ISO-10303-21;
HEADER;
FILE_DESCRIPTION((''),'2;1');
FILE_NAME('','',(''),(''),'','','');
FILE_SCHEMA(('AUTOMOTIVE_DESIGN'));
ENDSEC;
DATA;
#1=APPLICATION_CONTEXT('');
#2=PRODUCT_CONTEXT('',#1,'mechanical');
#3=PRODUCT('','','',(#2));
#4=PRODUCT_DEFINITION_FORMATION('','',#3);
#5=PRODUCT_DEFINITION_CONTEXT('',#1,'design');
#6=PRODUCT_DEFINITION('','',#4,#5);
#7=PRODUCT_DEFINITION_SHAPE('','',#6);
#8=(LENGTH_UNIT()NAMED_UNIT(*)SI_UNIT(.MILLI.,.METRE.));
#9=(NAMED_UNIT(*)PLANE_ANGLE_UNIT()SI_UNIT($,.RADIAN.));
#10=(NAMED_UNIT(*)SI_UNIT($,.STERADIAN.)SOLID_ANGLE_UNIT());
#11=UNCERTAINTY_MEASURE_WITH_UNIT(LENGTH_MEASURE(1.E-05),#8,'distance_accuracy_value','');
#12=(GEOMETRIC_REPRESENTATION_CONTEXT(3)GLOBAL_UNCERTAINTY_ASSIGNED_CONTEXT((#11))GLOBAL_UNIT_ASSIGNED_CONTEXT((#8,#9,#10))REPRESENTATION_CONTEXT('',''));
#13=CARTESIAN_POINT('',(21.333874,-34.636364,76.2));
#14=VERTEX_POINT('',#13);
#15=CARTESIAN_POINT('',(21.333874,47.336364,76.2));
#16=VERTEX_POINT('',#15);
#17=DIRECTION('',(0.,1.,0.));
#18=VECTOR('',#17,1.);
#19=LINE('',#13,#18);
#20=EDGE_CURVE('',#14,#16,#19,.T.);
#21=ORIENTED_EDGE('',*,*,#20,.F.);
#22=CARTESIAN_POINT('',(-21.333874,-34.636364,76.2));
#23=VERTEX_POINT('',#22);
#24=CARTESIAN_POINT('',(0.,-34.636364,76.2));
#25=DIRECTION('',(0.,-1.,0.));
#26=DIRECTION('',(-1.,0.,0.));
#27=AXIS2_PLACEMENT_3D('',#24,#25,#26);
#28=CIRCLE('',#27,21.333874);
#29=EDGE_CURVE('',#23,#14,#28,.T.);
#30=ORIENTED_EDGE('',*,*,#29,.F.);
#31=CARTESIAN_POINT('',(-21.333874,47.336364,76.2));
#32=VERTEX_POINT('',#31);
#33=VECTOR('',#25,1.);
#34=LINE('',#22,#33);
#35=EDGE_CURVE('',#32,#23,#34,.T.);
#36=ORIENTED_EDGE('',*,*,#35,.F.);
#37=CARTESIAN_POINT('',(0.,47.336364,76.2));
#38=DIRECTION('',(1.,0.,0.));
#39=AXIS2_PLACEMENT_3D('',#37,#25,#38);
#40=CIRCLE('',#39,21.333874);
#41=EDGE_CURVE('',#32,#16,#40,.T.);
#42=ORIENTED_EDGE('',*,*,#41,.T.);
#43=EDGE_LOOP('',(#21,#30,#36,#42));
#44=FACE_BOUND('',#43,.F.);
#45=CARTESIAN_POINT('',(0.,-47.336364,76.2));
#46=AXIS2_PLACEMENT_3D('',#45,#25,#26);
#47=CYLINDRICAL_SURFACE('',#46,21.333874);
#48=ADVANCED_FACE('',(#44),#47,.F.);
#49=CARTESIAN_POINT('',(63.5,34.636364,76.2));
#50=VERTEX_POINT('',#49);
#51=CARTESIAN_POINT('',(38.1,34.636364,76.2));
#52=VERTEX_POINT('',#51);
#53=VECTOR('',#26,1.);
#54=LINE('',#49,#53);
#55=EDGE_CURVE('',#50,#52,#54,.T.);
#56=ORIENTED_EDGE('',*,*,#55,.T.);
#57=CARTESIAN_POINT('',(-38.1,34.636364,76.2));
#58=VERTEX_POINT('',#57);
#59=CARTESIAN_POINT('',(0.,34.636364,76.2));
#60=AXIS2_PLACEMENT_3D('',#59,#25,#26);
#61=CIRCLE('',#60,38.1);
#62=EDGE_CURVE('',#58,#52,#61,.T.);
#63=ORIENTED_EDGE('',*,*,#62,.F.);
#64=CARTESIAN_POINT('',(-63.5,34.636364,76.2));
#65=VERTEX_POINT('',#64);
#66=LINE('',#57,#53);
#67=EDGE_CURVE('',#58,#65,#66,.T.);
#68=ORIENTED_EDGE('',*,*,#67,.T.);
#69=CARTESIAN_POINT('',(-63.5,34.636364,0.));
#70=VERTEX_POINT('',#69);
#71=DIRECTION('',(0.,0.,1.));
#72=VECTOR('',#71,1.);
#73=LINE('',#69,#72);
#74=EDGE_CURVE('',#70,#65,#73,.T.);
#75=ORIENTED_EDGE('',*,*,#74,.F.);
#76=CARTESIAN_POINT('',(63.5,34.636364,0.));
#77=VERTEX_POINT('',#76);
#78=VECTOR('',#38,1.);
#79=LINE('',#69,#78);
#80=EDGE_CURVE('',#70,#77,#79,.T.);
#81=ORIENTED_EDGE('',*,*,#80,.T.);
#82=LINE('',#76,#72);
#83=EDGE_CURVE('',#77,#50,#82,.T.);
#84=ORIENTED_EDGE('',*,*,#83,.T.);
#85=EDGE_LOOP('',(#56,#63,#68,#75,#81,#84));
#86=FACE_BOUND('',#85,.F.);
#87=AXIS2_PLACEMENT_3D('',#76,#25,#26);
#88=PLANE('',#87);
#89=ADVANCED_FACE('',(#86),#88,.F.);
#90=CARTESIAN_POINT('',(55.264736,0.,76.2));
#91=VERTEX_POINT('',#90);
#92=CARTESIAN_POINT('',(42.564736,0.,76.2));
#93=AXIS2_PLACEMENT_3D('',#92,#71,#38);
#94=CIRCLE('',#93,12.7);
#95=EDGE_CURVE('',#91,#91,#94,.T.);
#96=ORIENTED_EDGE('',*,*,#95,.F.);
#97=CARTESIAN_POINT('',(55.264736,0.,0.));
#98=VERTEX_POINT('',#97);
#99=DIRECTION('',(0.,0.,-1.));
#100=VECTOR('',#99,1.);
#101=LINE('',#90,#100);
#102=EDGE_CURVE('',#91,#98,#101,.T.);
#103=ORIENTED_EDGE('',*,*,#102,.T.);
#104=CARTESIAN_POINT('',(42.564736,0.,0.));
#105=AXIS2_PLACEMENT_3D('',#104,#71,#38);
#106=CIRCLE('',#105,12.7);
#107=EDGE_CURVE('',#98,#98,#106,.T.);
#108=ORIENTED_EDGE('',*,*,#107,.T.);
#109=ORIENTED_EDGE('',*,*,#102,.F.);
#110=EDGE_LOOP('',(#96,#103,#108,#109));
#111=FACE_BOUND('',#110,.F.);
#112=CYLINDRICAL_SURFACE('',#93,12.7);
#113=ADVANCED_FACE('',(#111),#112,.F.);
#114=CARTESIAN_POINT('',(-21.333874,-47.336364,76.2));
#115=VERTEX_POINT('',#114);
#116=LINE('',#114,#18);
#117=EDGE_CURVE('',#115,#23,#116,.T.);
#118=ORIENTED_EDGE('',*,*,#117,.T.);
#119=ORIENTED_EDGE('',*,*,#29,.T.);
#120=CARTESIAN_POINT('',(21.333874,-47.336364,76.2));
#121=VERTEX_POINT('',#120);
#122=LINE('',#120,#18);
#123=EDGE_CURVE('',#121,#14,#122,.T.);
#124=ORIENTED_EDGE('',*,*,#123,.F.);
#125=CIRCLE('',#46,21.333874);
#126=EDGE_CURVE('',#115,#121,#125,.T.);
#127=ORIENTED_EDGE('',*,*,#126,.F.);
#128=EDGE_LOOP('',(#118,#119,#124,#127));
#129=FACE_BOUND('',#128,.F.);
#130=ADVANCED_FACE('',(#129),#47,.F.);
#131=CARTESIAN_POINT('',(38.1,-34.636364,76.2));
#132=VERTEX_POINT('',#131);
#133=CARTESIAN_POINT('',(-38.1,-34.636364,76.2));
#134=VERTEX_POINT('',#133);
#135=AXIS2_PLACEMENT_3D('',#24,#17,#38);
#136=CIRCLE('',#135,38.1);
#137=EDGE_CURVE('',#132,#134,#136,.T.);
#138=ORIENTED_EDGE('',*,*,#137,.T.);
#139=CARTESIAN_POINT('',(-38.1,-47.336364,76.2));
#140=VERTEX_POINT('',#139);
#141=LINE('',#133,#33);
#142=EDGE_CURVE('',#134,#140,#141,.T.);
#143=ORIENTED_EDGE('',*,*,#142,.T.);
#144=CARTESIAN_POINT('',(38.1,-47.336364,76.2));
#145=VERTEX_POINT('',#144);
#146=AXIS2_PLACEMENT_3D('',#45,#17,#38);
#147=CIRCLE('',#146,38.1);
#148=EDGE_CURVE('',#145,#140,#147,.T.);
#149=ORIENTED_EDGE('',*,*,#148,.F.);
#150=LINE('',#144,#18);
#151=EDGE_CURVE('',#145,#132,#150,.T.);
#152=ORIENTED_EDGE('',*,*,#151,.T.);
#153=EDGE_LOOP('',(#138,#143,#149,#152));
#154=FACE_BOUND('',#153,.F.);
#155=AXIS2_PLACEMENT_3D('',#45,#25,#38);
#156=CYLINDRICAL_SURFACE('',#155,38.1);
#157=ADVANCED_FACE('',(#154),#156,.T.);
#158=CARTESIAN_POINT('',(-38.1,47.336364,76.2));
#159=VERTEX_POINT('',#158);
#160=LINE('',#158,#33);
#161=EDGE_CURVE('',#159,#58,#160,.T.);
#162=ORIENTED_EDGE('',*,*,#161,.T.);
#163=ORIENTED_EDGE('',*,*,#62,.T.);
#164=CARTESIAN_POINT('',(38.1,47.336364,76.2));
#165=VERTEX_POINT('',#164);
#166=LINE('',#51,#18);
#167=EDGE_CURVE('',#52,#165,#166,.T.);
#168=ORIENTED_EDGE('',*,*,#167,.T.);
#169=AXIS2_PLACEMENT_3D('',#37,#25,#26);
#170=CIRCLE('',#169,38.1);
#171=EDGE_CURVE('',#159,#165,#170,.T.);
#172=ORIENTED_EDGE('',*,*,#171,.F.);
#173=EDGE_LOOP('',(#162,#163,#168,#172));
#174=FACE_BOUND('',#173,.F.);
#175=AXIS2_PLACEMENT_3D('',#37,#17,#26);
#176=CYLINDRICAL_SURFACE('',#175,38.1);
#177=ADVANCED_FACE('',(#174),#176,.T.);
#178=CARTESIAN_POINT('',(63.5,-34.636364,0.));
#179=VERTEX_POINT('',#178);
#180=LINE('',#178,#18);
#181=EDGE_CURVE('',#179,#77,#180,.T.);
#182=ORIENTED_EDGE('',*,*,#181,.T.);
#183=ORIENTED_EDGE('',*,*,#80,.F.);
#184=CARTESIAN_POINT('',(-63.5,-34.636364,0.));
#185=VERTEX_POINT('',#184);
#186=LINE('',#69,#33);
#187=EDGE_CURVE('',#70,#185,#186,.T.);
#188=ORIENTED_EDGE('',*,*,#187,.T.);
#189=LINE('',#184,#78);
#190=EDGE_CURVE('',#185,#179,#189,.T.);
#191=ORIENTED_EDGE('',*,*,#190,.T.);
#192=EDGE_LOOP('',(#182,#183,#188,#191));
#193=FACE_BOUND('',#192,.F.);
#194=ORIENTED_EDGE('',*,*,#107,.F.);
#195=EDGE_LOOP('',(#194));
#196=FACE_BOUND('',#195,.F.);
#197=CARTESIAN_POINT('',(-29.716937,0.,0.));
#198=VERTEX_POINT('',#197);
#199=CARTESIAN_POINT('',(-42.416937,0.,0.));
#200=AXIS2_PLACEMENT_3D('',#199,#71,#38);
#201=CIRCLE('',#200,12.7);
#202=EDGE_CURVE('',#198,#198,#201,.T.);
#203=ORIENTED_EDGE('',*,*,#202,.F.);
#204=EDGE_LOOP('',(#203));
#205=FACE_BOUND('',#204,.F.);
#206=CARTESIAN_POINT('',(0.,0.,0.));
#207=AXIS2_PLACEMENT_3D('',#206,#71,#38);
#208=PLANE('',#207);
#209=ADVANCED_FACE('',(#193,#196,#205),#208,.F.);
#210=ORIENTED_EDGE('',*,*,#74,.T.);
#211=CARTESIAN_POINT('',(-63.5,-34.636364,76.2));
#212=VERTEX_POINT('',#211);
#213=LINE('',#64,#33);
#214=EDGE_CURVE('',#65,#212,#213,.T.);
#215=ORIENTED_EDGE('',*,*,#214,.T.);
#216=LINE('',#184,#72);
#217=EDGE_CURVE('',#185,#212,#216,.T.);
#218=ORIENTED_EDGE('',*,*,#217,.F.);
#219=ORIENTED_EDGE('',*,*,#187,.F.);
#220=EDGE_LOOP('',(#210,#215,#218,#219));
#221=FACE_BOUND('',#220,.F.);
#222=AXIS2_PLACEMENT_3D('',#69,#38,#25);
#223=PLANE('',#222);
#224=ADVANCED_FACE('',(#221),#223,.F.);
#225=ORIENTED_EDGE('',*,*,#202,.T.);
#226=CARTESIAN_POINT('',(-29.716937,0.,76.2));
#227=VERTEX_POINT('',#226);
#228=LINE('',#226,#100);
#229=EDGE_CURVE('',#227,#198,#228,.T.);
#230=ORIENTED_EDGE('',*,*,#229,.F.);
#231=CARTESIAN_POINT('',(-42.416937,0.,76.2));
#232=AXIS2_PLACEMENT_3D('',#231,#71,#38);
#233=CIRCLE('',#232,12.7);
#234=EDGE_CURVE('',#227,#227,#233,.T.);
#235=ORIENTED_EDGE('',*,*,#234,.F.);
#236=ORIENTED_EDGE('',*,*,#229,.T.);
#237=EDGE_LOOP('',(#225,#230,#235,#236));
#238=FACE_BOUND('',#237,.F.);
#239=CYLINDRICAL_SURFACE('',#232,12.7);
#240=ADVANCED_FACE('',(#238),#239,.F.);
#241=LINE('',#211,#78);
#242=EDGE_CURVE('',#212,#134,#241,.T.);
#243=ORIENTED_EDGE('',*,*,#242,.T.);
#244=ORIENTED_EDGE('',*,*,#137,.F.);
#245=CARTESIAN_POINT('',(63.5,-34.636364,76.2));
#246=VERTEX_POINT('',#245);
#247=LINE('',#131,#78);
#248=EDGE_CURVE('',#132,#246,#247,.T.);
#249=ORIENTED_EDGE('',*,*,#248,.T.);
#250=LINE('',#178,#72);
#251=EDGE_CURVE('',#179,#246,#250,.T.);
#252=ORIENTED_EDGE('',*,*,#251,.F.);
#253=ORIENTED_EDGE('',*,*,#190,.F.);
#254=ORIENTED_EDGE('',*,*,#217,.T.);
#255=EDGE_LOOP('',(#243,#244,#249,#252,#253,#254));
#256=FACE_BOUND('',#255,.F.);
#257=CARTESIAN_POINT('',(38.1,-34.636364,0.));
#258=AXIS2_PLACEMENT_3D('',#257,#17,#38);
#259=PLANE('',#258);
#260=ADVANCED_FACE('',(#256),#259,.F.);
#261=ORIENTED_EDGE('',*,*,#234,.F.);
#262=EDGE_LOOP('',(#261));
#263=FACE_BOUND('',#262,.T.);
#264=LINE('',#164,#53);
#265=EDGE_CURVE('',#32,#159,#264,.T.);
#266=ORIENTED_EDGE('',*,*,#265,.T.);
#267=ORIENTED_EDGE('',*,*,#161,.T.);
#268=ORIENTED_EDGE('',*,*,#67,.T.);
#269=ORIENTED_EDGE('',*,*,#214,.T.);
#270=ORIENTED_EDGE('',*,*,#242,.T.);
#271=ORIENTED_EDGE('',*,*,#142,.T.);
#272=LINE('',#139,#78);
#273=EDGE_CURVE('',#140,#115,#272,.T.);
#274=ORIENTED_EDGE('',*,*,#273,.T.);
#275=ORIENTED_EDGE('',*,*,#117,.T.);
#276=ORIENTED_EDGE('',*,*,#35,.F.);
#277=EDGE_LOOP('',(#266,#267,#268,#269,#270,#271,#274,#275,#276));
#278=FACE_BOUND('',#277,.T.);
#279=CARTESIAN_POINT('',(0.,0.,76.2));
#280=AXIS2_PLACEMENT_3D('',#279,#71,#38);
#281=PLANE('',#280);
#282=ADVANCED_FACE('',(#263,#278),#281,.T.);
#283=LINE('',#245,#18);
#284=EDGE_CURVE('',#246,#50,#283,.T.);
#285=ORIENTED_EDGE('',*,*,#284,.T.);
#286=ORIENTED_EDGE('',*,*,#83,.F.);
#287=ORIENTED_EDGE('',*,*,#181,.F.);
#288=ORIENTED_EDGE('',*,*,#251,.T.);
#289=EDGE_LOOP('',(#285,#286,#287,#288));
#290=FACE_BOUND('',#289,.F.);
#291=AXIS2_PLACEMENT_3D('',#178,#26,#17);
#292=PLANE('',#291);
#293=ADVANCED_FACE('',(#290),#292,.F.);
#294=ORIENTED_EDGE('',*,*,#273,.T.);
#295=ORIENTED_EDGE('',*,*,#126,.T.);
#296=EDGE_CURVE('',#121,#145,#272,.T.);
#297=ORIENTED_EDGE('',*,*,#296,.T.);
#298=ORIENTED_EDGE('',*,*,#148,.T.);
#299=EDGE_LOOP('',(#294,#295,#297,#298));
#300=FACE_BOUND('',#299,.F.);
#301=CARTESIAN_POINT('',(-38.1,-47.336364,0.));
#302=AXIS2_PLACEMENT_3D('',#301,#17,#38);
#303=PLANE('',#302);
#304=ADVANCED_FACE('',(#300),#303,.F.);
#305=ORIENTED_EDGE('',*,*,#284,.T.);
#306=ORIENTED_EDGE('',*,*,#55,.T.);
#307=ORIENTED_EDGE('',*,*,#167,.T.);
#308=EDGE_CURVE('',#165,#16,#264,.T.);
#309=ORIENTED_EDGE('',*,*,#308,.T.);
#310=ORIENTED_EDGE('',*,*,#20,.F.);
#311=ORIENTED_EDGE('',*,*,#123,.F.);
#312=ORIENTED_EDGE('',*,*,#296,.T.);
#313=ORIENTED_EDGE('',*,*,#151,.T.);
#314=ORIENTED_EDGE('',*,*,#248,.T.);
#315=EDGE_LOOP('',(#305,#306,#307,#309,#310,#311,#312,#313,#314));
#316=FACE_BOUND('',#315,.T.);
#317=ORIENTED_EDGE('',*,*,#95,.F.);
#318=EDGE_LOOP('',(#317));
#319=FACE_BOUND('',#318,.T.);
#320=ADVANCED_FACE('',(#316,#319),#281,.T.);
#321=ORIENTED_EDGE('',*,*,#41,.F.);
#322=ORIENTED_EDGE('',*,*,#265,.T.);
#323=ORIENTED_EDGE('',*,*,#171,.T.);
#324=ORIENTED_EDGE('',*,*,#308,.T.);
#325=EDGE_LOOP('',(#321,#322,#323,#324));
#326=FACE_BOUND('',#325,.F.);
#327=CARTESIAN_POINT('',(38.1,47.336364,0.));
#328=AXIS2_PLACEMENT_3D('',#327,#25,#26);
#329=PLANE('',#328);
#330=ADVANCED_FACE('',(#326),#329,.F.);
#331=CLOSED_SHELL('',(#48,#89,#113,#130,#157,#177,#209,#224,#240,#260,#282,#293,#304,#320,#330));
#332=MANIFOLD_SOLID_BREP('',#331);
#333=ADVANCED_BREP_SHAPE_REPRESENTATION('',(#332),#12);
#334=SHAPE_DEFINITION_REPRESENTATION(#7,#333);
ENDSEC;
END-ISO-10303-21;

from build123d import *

# Parameters (mm, degrees)
F1_DEPTH = 76.2
F3_DEPTH = 12.7
F4_R     = 21.3338739626
F5_DEPTH = 101.6
F7_DEPTH = 12.7
F9_DEPTH = 127


with BuildPart() as f1:
    # F0 (on Top) → F1 (new body)
    with BuildSketch(Plane.XY):
        Polygon((38.1, -34.6363636543), (63.5, -34.6363636543), (63.5, 34.6363636543), (38.1, 34.6363636543), (38.1, 47.3363636543), (-38.1, 47.3363636543), (-38.1, 34.6363636543), (-63.5, 34.6363636543), (-63.5, -34.6363636543), (-38.1, -34.6363636543), (-38.1, -47.3363636543), (38.1, -47.3363636543), align=None)
    extrude(amount=F1_DEPTH)

    # F2 (on face) → F3 (cut)
    with BuildSketch(Plane.XZ.offset(47.3363636543)):
        with BuildLine():
            Line((38.1, 0), (38.1, 76.2))
            ThreePointArc((38.1, 76.2), (0, 38.1), (-38.1, 76.2))
            Line((-38.1, 76.2), (-38.1, 0))
            Line((-38.1, 0), (38.1, 0))
        make_face()
        with BuildLine():
            Line((21.3338739626, 76.2), (38.1, 76.2))
            ThreePointArc((38.1, 76.2), (0, 114.3), (-38.1, 76.2))
            Line((-38.1, 76.2), (-21.3338739626, 76.2))
            ThreePointArc((-21.3338739626, 76.2), (0, 97.5338739626), (21.3338739626, 76.2))
        make_face()
        with BuildLine():
            ThreePointArc((-21.3338739626, 76.2), (0, 54.8661260374), (21.3338739626, 76.2))
            Line((21.3338739626, 76.2), (-21.3338739626, 76.2))
        make_face()
    extrude(amount=-F3_DEPTH, mode=Mode.SUBTRACT)

    # F4 (on face) → F5 (cut)
    with BuildSketch(Plane.XZ.offset(34.6363636543)):
        with Locations((0, 76.2)):
            Circle(F4_R)
    extrude(amount=-F5_DEPTH, mode=Mode.SUBTRACT)

    # F6 (on face) → F7 (cut)
    with BuildSketch(Plane(origin=(0, 47.3363636543, 0), x_dir=(-1, 0, 0), z_dir=(0, 1, 0))):
        with BuildLine():
            ThreePointArc((38.1, 76.2), (0, 38.1), (-38.1, 76.2))
            Line((-38.1, 76.2), (-38.1, 0))
            Line((-38.1, 0), (38.1, 0))
            Line((38.1, 0), (38.1, 76.2))
        make_face()
    extrude(amount=-F7_DEPTH, mode=Mode.SUBTRACT)

    # F8 (on face) → F9 (cut)
    with BuildSketch(Plane.XY.offset(76.2)):
        with BuildLine():
            Line((55.2647357479, 0), (29.8647357479, 0))
            ThreePointArc((29.8647357479, 0), (42.5647357479, -12.7), (55.2647357479, 0))
        make_face()
        with BuildLine():
            ThreePointArc((55.2647357479, 0), (42.5647357479, 12.7), (29.8647357479, 0))
            Line((29.8647357479, 0), (55.2647357479, 0))
        make_face()
        with BuildLine():
            ThreePointArc((-55.1169369813, 0), (-42.4169369813, -12.7), (-29.7169369813, 0))
            Line((-29.7169369813, 0), (-55.1169369813, 0))
        make_face()
        with BuildLine():
            Line((-55.1169369813, 0), (-29.7169369813, 0))
            ThreePointArc((-29.7169369813, 0), (-42.4169369813, 12.7), (-55.1169369813, 0))
        make_face()
    extrude(amount=-F9_DEPTH, mode=Mode.SUBTRACT)


solid = f1.part
